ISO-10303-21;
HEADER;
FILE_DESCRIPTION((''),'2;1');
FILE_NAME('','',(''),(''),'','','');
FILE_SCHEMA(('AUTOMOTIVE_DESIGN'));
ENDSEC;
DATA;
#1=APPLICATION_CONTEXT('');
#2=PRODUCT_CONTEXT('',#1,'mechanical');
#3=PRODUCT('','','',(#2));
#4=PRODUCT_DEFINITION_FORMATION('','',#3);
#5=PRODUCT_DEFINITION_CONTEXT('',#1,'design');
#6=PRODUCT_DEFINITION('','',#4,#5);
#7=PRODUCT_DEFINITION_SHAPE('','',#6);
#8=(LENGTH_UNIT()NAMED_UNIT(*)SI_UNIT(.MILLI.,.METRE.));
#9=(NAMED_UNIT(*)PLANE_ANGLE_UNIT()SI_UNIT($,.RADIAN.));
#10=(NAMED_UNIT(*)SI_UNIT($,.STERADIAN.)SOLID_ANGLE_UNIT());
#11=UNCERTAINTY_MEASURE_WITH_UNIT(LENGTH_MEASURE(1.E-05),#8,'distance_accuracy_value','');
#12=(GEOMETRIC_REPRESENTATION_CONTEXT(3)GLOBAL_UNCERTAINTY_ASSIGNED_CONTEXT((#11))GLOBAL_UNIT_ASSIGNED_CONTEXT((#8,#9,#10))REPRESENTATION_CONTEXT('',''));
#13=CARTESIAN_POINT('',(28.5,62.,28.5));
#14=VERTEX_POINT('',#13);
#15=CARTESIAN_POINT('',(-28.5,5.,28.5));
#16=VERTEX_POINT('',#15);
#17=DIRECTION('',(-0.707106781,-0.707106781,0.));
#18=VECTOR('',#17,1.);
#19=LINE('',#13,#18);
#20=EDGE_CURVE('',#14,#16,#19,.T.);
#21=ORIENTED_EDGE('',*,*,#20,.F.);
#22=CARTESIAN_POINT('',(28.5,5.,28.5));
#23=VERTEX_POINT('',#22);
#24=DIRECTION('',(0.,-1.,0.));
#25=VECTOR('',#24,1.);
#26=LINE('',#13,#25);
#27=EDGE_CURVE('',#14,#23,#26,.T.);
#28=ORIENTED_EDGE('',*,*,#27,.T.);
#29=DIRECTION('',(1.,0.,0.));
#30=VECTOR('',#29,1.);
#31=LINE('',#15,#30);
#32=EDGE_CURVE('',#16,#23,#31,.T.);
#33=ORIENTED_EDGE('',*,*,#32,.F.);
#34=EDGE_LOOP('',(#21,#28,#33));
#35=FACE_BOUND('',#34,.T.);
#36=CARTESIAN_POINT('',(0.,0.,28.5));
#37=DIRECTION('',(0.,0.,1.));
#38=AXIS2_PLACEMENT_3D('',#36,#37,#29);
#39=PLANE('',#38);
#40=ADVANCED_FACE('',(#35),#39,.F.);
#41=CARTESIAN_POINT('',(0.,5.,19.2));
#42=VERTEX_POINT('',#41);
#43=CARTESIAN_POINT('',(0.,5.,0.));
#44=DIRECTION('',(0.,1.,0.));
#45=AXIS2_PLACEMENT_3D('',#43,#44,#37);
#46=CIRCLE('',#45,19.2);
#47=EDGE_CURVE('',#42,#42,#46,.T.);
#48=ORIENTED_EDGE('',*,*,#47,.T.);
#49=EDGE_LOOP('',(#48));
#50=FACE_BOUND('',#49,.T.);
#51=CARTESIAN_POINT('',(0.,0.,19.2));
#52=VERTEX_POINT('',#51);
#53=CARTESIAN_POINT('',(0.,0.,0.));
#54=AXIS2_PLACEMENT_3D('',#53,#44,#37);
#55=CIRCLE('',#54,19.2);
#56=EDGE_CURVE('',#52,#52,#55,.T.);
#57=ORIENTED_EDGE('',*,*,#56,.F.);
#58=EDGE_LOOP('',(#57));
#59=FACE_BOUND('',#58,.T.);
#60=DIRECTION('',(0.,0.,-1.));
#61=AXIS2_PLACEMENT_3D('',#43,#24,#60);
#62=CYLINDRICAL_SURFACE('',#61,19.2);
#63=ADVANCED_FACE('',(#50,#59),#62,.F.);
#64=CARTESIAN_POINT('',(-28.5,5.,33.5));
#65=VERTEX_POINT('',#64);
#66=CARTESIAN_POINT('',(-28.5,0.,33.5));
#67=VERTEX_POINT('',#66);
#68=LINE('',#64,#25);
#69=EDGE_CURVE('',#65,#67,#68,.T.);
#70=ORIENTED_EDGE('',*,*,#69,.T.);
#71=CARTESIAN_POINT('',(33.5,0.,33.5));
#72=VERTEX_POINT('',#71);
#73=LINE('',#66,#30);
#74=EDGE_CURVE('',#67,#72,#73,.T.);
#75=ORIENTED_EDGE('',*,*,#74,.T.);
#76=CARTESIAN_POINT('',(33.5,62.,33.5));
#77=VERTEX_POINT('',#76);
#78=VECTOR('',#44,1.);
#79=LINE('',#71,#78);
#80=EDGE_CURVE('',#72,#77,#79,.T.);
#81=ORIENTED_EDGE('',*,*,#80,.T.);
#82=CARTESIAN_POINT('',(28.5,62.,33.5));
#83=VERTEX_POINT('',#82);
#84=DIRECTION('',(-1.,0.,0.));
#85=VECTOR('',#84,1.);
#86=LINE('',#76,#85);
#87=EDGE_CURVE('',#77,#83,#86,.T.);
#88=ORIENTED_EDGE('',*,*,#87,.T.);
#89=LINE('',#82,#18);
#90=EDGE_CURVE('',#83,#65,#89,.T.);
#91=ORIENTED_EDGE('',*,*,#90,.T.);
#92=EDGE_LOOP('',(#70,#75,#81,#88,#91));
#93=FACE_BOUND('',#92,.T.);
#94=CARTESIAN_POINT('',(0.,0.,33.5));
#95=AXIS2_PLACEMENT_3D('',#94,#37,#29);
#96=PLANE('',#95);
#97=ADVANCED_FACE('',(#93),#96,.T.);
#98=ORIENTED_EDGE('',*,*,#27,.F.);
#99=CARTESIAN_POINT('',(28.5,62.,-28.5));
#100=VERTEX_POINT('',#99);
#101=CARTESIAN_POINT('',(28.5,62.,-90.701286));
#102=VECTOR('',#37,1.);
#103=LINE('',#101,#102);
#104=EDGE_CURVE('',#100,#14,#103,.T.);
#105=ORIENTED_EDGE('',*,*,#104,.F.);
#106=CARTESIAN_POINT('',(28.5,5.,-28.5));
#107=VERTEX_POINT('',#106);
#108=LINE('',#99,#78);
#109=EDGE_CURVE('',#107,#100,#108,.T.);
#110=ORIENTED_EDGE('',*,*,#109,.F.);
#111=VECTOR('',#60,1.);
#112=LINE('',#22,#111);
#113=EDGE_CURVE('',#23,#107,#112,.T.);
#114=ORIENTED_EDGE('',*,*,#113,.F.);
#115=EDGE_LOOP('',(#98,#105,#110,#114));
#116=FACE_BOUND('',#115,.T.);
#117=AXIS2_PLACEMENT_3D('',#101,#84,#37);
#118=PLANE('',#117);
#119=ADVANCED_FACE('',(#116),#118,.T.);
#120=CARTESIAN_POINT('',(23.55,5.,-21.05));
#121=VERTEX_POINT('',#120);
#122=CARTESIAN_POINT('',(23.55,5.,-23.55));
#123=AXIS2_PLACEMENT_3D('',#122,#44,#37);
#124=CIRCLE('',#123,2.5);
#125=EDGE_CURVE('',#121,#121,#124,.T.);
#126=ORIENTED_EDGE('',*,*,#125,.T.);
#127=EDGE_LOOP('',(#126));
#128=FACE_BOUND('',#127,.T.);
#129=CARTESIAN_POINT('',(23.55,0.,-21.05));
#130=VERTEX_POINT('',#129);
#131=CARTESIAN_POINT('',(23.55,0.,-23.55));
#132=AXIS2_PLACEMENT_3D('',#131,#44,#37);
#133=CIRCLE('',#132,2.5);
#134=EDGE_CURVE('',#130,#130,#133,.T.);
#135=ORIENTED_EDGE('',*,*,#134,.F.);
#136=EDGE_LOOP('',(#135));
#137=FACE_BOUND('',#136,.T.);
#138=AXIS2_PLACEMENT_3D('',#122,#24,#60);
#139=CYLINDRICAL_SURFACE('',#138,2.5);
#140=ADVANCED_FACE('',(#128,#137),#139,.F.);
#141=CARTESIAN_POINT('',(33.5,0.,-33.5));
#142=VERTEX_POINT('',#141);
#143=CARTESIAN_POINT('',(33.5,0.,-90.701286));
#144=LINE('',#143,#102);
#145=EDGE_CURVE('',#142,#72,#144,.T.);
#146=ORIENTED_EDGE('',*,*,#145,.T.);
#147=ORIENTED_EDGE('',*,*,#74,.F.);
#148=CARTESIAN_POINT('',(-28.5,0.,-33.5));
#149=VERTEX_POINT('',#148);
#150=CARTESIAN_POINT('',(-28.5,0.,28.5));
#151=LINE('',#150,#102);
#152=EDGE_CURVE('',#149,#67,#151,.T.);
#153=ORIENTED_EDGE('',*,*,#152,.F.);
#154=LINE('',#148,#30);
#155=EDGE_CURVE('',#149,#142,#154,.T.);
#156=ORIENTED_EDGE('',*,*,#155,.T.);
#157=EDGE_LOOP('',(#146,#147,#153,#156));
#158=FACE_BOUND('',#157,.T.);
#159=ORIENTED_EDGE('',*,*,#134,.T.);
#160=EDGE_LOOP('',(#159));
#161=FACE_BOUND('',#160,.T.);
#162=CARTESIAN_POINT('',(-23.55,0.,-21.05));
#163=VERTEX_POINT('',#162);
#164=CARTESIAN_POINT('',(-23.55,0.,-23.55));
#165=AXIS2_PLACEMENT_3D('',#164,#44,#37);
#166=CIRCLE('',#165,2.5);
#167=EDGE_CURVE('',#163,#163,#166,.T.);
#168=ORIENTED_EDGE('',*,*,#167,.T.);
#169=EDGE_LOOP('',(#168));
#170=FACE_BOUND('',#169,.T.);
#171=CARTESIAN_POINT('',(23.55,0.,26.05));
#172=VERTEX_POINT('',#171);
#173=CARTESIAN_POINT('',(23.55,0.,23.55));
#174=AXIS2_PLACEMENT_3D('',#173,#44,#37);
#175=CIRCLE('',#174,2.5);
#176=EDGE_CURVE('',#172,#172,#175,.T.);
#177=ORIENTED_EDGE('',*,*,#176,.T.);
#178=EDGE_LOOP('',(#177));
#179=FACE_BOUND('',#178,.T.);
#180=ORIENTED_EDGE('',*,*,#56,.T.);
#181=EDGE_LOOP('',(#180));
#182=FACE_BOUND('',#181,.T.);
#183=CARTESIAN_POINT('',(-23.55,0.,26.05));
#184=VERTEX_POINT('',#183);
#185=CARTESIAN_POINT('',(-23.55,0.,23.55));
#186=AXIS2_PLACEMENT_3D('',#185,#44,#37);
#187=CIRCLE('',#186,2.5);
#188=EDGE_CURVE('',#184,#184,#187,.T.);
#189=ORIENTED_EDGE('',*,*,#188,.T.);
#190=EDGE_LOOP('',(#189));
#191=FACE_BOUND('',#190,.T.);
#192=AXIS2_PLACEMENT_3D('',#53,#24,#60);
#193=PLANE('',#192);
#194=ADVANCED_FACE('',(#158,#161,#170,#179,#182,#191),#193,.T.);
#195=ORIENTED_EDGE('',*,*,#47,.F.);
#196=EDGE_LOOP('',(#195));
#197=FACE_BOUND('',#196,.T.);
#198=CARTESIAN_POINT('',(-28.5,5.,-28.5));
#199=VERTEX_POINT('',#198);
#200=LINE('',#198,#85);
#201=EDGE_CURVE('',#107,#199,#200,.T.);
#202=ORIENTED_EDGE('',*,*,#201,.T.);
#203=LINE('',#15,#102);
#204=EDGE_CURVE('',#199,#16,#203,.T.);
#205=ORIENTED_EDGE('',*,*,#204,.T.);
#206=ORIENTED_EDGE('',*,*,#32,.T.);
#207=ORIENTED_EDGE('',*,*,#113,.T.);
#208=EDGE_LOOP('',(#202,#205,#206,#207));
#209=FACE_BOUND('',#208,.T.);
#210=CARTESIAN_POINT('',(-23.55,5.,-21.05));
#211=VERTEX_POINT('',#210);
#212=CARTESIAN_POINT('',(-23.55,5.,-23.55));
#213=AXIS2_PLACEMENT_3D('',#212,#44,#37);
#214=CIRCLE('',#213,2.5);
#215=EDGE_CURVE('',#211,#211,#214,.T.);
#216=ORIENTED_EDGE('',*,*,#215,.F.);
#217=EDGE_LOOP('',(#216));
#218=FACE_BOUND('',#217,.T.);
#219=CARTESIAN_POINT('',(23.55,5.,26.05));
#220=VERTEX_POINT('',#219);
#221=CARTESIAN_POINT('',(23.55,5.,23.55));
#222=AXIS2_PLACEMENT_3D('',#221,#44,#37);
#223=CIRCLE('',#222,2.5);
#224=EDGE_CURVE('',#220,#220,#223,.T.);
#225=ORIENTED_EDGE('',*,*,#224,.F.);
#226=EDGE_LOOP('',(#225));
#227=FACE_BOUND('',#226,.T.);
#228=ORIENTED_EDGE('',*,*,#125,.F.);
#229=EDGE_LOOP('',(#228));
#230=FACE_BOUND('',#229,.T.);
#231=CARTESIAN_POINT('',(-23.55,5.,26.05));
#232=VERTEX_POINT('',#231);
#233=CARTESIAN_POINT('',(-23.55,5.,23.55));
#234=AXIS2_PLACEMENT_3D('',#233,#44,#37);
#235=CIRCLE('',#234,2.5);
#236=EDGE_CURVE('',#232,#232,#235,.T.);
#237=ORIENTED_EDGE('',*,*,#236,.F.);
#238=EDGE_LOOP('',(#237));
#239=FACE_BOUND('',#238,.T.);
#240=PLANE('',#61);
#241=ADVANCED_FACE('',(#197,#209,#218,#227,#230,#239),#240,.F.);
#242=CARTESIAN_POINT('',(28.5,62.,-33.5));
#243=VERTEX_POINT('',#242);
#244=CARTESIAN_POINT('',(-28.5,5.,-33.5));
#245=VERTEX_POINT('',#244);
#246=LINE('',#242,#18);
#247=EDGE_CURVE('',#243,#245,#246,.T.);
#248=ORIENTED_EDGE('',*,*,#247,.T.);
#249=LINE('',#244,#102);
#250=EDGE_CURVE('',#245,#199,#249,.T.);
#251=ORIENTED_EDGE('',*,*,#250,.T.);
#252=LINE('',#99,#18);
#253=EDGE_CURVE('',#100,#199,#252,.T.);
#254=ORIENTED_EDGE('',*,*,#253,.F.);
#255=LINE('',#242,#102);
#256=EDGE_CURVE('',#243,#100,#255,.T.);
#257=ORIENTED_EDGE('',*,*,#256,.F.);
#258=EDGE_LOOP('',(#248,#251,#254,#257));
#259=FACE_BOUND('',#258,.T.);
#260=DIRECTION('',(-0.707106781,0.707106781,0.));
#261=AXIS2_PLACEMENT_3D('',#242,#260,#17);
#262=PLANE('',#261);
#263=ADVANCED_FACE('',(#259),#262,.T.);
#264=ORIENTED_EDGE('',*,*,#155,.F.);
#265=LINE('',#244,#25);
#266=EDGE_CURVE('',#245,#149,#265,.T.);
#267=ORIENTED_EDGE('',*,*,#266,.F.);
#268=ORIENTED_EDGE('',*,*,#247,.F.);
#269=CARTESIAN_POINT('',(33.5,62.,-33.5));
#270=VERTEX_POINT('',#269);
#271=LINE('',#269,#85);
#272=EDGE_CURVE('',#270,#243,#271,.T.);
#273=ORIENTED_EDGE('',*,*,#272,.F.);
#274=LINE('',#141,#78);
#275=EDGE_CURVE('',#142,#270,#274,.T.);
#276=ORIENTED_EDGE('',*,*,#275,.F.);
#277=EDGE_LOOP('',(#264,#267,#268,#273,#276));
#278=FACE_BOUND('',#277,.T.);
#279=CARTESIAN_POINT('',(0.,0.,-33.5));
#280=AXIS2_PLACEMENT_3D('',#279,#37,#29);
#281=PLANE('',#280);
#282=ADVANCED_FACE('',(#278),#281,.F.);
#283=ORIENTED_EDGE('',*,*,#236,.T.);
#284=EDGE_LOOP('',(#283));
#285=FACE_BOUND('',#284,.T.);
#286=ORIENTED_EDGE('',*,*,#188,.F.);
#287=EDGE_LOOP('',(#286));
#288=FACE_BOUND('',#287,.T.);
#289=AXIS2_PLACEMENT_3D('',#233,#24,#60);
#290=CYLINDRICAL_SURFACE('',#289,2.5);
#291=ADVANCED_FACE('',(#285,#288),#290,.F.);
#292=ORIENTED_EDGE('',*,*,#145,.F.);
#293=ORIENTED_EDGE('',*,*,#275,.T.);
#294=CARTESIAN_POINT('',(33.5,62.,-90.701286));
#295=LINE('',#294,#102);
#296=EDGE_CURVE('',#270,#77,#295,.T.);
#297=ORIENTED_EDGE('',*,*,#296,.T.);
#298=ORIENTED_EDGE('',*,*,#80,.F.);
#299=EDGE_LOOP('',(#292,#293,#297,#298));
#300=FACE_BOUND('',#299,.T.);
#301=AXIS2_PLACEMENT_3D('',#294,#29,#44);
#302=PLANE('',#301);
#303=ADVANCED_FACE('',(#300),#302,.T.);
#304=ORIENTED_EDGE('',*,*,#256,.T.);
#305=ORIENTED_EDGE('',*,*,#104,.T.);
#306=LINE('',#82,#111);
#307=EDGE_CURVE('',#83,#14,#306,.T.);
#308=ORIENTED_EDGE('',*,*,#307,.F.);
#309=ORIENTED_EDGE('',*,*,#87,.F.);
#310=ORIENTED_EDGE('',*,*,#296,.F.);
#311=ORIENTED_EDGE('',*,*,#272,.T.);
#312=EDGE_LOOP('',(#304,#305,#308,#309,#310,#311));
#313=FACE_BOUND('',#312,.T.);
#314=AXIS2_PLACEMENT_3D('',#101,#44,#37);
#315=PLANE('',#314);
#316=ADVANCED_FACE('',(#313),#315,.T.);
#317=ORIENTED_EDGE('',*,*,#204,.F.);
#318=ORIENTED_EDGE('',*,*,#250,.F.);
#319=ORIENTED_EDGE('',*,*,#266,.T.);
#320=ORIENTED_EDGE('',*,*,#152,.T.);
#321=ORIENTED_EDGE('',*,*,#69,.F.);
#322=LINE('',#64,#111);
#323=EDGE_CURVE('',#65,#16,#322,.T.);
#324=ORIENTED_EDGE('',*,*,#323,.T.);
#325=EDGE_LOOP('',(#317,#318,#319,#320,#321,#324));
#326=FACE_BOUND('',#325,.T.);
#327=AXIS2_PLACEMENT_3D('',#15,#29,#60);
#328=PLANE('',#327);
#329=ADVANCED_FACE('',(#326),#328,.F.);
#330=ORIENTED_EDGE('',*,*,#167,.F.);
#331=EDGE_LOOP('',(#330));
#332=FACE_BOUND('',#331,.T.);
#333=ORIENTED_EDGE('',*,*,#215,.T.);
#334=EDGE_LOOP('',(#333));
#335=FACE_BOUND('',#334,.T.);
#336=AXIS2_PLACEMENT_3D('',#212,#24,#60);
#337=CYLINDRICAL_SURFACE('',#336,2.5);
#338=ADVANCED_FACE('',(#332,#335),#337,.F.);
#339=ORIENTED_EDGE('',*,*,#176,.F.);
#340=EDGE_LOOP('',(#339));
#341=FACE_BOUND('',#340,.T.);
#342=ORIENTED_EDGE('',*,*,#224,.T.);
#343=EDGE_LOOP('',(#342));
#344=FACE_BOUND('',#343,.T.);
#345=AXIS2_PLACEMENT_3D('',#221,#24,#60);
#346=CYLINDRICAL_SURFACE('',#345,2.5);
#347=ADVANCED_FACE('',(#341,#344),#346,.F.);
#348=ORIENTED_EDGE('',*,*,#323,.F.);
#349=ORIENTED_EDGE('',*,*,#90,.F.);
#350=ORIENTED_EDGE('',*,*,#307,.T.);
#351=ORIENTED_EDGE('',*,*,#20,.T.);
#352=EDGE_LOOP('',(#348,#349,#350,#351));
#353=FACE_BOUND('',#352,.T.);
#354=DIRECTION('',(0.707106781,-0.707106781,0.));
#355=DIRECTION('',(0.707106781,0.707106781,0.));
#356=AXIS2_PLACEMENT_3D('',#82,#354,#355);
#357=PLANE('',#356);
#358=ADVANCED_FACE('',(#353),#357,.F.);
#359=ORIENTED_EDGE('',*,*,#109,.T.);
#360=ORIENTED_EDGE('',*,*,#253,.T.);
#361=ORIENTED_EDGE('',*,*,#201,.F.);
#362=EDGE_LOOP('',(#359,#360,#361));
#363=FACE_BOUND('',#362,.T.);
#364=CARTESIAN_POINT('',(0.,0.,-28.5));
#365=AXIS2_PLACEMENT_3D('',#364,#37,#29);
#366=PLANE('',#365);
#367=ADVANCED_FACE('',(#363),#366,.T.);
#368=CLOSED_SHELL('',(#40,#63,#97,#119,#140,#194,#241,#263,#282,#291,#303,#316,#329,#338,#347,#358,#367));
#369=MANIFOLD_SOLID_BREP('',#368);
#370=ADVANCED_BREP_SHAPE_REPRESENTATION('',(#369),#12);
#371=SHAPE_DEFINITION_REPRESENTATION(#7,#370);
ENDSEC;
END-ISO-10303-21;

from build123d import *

# Parameters (mm, degrees)
SKETCH1_W           = 57
SKETCH1_H           = 57
SKETCH1_R           = 2.5
SKETCH1_R_2         = 19.2
BOSS_EXTRUDE1_DEPTH = 5
SKETCH2_W           = 5
SKETCH2_H           = 62
BOSS_EXTRUDE2_DEPTH = 57
BOSS_EXTRUDE3_DEPTH = 5
BOSS_EXTRUDE4_START = -57
BOSS_EXTRUDE4_DEPTH = 5


with BuildPart() as part:
    # Sketch1 → Boss-Extrude1 (new body)
    with BuildSketch(Plane(origin=(0, 0, 0), x_dir=(1, 0, 0), z_dir=(0, 1, 0))):
        Rectangle(SKETCH1_W, SKETCH1_H)
        with Locations(Location((-23.55, 23.55, 0), (0, 0, 270))):
            Circle(SKETCH1_R, mode=Mode.SUBTRACT)
        with Locations(Location((23.55, 23.55, 0), (0, 0, 270))):
            Circle(SKETCH1_R, mode=Mode.SUBTRACT)
        with Locations(Location((23.55, -23.55, 0), (0, 0, 270))):
            Circle(SKETCH1_R, mode=Mode.SUBTRACT)
        with Locations(Location((-23.55, -23.55, 0), (0, 0, 270))):
            Circle(SKETCH1_R, mode=Mode.SUBTRACT)
        with Locations(Location((0, 0, 0), (0, 0, 270))):
            Circle(SKETCH1_R_2, mode=Mode.SUBTRACT)
    extrude(amount=BOSS_EXTRUDE1_DEPTH)

    # Sketch2 → Boss-Extrude2 (add)
    with BuildSketch(Plane.XY.offset(28.5)):
        with Locations((31, 31)):
            Rectangle(SKETCH2_W, SKETCH2_H)
    extrude(amount=-BOSS_EXTRUDE2_DEPTH)

    # Sketch3 → Boss-Extrude3 (add)
    with BuildSketch(Plane.XY.offset(28.5)):
        Polygon((28.5, 62), (-28.5, 5), (-28.5, 0), (33.5, 0), (33.5, 62), align=None)
    extrude(amount=BOSS_EXTRUDE3_DEPTH)

    # Sketch3<2> → Boss-Extrude4 (add)
    with BuildSketch(Plane.XY.offset(28.5).offset(BOSS_EXTRUDE4_START)):
        Polygon((28.5, 62), (-28.5, 5), (-28.5, 0), (33.5, 0), (33.5, 62), align=None)
    extrude(amount=-BOSS_EXTRUDE4_DEPTH)


solid = part.part
